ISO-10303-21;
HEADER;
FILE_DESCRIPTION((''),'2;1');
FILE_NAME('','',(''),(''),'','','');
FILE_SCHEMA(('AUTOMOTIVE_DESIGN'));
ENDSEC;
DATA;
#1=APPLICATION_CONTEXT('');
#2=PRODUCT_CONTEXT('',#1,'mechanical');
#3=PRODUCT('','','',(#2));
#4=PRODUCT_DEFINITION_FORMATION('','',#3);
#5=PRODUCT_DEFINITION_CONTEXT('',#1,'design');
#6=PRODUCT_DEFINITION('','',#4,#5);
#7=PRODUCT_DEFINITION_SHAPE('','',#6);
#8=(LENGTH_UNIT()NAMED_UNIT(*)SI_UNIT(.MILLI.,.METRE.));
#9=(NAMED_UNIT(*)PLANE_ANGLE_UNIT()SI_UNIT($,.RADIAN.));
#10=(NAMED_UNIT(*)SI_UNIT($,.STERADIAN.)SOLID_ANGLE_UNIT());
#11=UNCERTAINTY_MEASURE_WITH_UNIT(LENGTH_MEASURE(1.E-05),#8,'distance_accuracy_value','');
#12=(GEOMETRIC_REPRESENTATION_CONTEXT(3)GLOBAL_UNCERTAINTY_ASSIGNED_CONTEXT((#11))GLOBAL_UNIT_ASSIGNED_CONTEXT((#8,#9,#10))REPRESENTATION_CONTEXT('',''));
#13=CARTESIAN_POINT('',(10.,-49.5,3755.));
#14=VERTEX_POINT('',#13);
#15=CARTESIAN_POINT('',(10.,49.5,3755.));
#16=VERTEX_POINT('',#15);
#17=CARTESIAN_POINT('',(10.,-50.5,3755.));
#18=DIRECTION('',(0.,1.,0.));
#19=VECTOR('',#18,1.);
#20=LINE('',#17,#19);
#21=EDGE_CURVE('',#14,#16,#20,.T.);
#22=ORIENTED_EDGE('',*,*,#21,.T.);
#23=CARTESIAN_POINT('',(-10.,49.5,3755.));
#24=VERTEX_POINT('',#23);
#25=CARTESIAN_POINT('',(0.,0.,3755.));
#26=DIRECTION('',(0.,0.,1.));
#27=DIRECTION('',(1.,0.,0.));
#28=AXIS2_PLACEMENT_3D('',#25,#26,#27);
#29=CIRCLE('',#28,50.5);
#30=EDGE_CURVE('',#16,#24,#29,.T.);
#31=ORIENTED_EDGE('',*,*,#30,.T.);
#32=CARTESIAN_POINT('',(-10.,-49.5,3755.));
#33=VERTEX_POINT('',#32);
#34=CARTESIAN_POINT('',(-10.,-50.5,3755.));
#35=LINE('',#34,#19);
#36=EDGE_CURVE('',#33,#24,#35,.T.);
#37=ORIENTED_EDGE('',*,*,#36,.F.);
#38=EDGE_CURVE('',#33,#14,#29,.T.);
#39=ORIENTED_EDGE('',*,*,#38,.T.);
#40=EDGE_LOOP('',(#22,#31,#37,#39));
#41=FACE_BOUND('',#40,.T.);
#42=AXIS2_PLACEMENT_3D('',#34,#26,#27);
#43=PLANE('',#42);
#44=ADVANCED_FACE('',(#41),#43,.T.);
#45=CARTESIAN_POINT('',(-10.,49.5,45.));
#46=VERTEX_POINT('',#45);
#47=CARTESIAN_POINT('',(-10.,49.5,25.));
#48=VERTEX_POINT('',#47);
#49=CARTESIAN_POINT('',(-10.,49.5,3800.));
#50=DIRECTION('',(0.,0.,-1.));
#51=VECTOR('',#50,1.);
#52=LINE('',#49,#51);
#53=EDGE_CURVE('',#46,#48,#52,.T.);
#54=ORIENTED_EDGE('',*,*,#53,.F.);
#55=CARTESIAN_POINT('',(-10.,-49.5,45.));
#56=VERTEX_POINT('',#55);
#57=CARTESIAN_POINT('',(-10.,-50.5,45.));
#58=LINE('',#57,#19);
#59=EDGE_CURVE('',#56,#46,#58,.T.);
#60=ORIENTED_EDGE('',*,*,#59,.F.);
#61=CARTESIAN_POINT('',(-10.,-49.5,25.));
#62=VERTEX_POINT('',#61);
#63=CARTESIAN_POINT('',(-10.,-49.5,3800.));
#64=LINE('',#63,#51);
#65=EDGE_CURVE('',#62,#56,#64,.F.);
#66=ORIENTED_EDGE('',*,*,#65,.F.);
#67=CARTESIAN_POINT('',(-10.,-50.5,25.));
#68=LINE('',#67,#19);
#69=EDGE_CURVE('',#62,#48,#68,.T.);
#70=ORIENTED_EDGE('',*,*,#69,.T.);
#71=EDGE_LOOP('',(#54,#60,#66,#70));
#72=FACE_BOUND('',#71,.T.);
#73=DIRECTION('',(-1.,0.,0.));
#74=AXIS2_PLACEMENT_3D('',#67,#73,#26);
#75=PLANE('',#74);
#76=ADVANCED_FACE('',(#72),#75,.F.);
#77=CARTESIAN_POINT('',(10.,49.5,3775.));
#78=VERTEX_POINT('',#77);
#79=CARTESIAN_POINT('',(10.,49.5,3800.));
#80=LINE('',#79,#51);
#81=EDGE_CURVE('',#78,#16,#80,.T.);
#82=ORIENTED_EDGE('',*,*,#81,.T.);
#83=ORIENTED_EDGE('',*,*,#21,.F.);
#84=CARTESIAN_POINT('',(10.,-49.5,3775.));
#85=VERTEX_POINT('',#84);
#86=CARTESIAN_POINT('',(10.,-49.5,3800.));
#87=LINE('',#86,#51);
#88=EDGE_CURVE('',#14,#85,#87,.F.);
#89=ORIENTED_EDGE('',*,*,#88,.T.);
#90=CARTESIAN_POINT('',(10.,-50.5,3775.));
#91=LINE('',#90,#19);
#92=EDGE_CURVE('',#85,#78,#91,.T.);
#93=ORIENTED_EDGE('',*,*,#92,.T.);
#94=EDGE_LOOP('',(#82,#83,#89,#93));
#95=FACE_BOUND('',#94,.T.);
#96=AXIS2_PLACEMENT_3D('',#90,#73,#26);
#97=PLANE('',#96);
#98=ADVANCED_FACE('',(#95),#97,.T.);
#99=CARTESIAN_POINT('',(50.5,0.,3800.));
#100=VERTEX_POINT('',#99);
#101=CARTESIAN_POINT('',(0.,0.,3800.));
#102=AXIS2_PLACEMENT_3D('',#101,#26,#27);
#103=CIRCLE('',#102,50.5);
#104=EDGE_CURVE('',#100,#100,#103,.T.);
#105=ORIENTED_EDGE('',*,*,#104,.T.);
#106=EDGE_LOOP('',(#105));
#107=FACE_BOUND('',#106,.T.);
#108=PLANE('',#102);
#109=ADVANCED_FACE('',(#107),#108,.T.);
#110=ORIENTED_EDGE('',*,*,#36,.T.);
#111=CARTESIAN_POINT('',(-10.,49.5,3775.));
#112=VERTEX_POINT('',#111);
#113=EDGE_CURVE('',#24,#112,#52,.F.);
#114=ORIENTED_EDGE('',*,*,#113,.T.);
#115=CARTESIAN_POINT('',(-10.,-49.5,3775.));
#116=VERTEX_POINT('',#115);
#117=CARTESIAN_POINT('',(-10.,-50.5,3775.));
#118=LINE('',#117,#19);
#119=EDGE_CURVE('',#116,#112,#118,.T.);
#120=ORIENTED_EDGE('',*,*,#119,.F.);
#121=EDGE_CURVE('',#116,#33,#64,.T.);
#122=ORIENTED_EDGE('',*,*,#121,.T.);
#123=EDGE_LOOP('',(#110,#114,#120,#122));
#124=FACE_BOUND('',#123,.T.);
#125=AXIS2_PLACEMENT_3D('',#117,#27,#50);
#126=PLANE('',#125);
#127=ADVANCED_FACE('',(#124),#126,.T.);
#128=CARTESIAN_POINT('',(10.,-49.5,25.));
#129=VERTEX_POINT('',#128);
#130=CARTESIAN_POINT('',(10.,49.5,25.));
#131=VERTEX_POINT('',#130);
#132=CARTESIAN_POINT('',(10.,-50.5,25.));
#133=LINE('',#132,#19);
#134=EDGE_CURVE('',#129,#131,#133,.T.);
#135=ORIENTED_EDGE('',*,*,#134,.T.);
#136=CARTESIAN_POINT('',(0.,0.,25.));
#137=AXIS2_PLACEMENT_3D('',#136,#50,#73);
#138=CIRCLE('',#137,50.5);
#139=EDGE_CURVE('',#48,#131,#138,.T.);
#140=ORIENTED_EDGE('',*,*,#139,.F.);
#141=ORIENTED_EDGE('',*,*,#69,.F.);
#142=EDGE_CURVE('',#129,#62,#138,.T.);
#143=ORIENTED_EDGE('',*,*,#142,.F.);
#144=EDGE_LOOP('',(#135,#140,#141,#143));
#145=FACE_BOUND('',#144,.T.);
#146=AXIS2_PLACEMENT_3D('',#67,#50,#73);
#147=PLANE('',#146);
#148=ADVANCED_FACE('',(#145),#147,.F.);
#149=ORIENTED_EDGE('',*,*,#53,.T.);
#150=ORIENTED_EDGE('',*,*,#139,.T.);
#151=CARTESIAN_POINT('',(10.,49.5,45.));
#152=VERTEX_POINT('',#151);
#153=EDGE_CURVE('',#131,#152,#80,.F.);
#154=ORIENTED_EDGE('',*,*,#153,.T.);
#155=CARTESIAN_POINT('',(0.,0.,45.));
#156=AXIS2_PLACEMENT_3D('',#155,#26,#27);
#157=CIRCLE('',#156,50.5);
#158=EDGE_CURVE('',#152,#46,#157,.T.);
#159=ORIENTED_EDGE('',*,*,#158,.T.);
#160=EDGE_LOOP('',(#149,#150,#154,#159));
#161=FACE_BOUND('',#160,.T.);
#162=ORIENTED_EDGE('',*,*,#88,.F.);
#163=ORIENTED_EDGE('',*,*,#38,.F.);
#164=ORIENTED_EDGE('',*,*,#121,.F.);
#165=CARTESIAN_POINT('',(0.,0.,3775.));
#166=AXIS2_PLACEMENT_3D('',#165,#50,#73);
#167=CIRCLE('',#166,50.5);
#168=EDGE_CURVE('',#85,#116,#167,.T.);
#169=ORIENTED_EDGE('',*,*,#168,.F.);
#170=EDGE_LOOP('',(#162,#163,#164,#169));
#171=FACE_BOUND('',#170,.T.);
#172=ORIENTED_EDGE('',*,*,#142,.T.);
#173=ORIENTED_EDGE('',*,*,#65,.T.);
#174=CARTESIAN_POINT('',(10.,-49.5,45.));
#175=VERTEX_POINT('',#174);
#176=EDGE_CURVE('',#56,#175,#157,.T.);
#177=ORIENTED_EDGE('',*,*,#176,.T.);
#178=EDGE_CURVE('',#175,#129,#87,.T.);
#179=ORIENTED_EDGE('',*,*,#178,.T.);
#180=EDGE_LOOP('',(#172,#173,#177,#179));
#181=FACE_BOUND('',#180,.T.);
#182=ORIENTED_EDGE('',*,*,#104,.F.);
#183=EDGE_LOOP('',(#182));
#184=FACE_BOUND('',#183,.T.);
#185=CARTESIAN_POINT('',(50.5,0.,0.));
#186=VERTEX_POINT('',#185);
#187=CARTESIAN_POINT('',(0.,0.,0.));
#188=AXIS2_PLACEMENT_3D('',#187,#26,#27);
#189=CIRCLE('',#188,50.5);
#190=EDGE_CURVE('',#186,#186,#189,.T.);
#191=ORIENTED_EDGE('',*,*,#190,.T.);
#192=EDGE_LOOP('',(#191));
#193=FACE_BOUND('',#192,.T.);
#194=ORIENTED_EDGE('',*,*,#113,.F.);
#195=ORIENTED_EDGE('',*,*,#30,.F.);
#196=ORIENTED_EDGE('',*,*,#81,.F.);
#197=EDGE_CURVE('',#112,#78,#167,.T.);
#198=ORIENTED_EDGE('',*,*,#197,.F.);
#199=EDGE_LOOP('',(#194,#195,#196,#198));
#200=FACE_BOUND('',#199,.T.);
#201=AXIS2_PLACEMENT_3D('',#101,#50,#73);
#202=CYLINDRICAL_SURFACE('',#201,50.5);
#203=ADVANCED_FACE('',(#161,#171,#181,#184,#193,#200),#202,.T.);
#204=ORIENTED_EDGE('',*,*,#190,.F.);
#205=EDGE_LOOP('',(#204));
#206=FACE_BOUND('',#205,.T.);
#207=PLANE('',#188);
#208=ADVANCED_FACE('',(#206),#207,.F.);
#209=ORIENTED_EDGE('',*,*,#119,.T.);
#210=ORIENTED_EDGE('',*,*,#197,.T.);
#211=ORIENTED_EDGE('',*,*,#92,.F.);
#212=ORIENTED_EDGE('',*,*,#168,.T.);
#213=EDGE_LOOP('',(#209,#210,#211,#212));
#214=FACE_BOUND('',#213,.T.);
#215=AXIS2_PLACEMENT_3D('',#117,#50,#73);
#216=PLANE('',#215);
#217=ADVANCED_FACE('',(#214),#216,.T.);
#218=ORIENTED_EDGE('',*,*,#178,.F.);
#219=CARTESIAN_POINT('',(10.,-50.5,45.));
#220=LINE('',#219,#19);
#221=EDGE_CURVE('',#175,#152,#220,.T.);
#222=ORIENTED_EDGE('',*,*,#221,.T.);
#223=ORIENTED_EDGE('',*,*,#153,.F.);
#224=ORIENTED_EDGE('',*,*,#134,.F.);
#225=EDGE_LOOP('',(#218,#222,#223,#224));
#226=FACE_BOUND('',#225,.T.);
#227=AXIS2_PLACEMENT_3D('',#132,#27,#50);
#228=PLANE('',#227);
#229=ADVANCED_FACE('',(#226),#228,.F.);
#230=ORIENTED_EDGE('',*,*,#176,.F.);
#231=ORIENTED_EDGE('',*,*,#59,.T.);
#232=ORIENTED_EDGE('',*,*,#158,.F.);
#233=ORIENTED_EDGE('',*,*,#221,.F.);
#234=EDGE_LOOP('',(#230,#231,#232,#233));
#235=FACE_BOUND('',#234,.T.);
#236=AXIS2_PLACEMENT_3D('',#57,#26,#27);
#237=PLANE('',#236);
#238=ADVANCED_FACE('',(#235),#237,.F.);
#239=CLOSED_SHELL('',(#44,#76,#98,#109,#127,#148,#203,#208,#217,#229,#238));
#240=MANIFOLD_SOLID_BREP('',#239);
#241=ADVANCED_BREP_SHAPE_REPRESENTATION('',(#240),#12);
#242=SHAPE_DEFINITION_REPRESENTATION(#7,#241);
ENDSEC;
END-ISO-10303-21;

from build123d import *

# Parameters (mm, degrees)
SKETCH1_R           = 50.5
BOSS_EXTRUDE1_DEPTH = 3800
SKETCH2_W           = 20
SKETCH2_H           = 20
CUT_EXTRUDE1_DEPTH  = 3801.671059168


with BuildPart() as part:
    # Sketch1 → Boss-Extrude1 (new body)
    with BuildSketch(Plane.XY):
        with Locations(Location((0, 0, 0), (0, 0, 180))):
            Circle(SKETCH1_R)
    extrude(amount=BOSS_EXTRUDE1_DEPTH)

    # Sketch2 → Cut-Extrude1 (cut, symmetric)
    with BuildSketch(Plane(origin=(0, 0, 0), x_dir=(1, 0, 0), z_dir=(0, 1, 0))):
        with Locations((0, -35)):
            Rectangle(SKETCH2_W, SKETCH2_H)
    cut_extrude1 = extrude(amount=CUT_EXTRUDE1_DEPTH, both=True, mode=Mode.SUBTRACT)

    # Mirror1: Cut-Extrude1 across plane
    add(cut_extrude1.mirror(Plane(origin=(0, 0, 1900), x_dir=(1, 0, 0), z_dir=(0, 0, -1))), mode=Mode.SUBTRACT)


solid = part.part
